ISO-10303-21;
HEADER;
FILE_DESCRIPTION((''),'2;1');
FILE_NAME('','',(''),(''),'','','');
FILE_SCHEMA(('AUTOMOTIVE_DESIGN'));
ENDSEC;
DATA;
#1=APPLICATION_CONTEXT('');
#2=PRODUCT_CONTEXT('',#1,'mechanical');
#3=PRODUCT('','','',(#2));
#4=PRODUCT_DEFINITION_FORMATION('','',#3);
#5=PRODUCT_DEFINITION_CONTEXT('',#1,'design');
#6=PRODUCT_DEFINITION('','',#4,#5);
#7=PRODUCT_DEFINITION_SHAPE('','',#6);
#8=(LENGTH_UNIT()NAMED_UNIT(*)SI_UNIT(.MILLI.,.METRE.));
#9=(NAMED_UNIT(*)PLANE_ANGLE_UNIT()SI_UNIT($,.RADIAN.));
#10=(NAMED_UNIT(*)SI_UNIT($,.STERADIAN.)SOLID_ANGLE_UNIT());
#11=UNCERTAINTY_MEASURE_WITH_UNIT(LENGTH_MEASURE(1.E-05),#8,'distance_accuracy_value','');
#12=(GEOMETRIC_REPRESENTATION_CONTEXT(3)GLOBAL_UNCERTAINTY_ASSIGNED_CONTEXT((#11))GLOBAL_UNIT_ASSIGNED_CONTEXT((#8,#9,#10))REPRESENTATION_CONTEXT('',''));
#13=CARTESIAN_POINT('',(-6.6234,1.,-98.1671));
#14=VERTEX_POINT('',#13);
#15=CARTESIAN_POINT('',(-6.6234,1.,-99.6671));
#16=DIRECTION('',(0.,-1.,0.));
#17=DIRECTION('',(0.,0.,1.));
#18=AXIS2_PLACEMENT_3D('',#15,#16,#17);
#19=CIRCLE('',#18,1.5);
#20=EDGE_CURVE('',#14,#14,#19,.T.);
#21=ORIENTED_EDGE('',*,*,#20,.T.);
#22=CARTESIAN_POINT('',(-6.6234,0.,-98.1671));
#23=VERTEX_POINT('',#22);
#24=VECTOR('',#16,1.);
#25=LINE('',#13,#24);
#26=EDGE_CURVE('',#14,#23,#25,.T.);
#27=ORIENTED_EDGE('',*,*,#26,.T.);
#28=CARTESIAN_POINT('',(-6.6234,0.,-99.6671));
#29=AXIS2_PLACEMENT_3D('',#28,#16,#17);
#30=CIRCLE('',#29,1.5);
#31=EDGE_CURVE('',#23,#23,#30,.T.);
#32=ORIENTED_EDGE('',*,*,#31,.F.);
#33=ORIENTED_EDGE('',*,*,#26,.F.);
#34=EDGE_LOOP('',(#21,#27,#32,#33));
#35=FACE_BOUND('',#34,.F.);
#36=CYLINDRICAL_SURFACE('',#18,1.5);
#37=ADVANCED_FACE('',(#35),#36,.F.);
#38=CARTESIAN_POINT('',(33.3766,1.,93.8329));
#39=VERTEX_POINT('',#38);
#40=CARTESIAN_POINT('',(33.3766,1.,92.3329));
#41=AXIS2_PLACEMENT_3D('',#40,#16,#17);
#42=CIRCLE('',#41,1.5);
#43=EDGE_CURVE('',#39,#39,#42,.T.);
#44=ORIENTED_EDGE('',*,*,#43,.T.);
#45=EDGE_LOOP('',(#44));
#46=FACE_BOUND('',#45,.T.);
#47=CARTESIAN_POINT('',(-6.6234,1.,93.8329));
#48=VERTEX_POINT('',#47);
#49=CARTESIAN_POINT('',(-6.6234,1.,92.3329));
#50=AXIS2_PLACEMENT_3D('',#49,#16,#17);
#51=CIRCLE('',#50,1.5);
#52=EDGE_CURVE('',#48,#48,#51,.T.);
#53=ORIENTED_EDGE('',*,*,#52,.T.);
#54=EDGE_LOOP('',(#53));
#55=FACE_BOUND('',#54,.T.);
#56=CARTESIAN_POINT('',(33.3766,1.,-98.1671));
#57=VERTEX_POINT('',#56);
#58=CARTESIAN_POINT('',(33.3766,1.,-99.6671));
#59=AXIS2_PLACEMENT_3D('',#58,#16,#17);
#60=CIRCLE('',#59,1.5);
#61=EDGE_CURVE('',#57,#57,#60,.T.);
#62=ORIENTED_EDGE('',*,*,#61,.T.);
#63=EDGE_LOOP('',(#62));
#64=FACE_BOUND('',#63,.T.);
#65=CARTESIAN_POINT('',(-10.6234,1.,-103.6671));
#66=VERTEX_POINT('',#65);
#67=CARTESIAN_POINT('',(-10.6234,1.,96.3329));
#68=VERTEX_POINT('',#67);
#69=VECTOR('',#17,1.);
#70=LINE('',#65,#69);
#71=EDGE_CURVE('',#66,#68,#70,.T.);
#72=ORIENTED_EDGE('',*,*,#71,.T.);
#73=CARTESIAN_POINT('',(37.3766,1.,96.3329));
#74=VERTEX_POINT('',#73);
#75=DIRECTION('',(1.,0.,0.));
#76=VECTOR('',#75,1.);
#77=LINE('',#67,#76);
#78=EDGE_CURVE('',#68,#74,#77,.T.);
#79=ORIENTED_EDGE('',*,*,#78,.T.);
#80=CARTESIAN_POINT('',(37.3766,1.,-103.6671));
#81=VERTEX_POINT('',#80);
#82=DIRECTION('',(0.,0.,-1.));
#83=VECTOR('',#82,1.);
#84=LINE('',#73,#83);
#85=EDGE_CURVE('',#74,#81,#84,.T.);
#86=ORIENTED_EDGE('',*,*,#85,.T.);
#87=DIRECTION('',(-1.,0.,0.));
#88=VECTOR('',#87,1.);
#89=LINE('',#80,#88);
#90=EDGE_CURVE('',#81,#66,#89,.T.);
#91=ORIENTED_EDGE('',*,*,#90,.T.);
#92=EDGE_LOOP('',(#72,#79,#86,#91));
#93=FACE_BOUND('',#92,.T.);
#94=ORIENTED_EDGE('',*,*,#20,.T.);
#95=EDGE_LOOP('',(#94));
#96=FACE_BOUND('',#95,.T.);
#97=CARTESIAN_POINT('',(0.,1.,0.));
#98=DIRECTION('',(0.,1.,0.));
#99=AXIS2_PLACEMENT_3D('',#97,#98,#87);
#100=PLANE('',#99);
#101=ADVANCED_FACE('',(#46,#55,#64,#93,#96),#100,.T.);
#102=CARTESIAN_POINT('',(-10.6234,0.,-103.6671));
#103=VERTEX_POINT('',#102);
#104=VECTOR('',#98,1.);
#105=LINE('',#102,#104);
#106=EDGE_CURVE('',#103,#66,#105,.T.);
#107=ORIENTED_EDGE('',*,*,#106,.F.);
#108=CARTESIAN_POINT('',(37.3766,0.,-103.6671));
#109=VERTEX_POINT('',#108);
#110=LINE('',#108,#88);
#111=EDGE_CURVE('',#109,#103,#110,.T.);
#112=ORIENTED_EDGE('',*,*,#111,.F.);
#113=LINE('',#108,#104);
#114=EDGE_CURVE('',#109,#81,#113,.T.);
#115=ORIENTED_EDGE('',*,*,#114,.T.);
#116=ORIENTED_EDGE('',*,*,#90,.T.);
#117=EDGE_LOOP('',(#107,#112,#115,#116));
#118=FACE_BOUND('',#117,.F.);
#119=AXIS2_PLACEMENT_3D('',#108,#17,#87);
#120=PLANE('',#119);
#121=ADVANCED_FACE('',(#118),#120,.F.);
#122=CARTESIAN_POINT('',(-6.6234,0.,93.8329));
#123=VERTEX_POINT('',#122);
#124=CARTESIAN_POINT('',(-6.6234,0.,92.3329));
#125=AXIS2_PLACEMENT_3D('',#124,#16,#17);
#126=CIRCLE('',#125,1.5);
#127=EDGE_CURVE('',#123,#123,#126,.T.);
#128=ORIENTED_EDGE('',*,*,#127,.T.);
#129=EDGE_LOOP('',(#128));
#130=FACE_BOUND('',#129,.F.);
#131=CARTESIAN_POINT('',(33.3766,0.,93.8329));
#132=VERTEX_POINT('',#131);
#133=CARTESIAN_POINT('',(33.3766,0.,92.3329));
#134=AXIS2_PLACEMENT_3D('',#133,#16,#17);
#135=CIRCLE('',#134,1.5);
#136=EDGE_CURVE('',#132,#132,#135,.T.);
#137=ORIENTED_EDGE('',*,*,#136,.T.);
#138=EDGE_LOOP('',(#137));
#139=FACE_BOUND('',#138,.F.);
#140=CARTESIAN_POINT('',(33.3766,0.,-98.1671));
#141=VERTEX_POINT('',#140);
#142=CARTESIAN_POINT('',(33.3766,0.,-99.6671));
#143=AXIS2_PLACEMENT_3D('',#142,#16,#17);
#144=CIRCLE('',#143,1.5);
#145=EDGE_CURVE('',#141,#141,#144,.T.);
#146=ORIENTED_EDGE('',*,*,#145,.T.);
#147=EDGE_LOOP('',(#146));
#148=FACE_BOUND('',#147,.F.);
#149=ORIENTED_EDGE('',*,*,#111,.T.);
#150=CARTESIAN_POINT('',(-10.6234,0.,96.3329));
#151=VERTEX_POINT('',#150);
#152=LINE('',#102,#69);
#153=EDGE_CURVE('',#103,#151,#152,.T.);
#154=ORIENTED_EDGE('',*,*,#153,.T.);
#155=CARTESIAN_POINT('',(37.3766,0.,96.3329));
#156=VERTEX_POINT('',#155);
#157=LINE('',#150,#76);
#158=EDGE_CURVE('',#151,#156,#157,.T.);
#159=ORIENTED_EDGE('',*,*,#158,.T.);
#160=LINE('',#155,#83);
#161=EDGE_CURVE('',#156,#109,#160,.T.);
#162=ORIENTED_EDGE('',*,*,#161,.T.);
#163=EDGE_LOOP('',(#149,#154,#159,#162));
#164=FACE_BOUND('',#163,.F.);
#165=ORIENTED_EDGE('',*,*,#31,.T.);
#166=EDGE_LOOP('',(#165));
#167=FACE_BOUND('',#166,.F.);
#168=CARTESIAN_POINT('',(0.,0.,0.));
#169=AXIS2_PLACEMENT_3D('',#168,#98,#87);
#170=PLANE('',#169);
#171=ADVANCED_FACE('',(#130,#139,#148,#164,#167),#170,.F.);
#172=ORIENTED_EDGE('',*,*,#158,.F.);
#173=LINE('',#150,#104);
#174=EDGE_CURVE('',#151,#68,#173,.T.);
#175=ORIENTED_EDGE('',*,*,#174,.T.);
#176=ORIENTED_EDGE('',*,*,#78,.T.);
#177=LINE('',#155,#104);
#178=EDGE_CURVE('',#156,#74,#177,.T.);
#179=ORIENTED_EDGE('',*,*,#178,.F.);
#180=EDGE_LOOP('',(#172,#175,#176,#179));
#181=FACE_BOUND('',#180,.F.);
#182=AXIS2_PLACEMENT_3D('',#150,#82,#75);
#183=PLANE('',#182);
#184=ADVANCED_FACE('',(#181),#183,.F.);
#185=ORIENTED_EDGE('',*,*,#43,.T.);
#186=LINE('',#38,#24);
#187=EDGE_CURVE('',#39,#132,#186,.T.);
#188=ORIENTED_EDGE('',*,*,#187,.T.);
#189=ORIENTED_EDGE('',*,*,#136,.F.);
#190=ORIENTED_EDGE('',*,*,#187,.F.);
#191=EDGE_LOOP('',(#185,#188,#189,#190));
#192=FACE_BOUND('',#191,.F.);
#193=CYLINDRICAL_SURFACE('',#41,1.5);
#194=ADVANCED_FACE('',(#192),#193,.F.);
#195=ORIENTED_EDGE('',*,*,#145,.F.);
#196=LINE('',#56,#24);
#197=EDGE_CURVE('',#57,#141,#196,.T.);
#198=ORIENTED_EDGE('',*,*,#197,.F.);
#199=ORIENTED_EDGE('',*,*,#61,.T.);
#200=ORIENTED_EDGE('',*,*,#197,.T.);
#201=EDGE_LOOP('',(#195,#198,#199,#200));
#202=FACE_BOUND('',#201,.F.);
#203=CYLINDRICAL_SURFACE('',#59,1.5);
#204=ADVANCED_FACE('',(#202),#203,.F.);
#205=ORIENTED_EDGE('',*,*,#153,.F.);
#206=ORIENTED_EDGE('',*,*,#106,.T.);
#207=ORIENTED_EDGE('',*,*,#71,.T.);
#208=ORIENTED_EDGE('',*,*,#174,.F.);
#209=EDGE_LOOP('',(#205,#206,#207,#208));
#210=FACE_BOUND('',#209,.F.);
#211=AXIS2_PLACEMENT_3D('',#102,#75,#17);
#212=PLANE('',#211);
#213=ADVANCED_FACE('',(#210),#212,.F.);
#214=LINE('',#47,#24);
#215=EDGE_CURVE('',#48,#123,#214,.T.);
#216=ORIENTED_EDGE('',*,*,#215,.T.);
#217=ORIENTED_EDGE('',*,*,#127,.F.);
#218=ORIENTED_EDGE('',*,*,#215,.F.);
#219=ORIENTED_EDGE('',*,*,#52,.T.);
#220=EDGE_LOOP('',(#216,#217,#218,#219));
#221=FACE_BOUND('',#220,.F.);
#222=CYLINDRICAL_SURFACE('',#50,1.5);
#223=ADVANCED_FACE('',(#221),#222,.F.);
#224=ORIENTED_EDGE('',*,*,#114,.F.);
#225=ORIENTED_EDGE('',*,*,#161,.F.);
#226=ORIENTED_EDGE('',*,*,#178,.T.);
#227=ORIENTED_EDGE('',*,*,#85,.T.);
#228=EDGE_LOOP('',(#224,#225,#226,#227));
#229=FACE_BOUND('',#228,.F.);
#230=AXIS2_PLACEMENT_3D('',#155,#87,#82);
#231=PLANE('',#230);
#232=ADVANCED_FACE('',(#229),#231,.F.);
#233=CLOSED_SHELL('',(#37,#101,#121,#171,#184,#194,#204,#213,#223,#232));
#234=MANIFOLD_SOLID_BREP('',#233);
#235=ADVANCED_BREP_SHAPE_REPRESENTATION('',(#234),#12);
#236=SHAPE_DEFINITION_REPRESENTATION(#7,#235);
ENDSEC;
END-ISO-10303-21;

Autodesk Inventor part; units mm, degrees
ref_plane "YZ Plane" through (0, 0, 0) normal (1, 0, 0) x (0, 1, 0)
ref_plane "XZ Plane" through (0, 0, 0) normal (0, 1, 0) x (-1, 0, 0)
ref_plane "XY Plane" through (0, 0, 0) normal (0, 0, 1) x (1, 0, 0)
sketch "Sketch1" plane through (0, 0, 0) normal (0, 1, 0) x (-1, 0, 0)
  line L0 (10.6234, 96.3329) -> (-37.3766, 96.3329)
  line L1 (-37.3766, 96.3329) -> (-37.3766, -103.6671)
  line L2 (-37.3766, -103.6671) -> (10.6234, -103.6671)
  line L3 (10.6234, -103.6671) -> (10.6234, 96.3329)
  point P0 (0, 0)
  dimension "d0" = 200
  dimension "d1" = 48
extrude "Extrusion1" add sketch "Sketch1" along normal blind 1
sketch "Sketch2" plane through (0, 1, 0) normal (0, 1, 0) x (1, 0, 0)
  line L0 (-10.6234, 103.6671) -> (-10.6234, -96.3329) projected
  line L1 (37.3766, -96.3329) -> (37.3766, 103.6671) projected
  line L2 (-10.6234, -96.3329) -> (37.3766, -96.3329) projected
  line L3 (37.3766, 103.6671) -> (-10.6234, 103.6671) projected
  point P0 (0, 0)
  point P1 (-6.6234, -92.3329)
  point P2 (33.3766, -92.3329)
  point P3 (33.3766, 99.6671)
  point P4 (-6.6234, 99.6671)
  dimension "d4" = 0
  dimension "d5" = 0
  dimension "d6" = 0
  dimension "d7" = 0
  dimension "d8" = 4
  dimension "d9" = 4
  dimension "d10" = 4
  dimension "d11" = 4
hole "Hole1" at (-6.6234, 1, 92.3329) at (33.3766, 1, 92.3329) at (33.3766, 1, -99.6671) at (-6.6234, 1, -99.6671) direction (0, -1, 0) diameter 3 depth 25.4 tip angle 118.188
equation "\"d1\" = BoardWidth"
equation "\"d2\" = BoardHeight"
equation "\"d8\" = ScrewHoleOffset"
equation "\"d9\" = ScrewHoleOffset"
equation "\"d10\" = ScrewHoleOffset"
equation "\"d11\" = ScrewHoleOffset"
equation "\"d12\" = ScrewSize"
equation "\"BoardLength\" = 556"
equation "\"BoardWidth\" = 48"
equation "\"ScrewSize\" = 3"
equation "\"ScrewHoleOffset\" = 4"
equation "\"BoardGap\" = 4"
equation "\"BoardHeight\" = 1"
equation "\"HorizOffsetBetweenScrews\" = 192"
equation "\"BaseWidth\" = 556"
equation "\"BaseLength\" = 648"
equation "\"TwoBoardWidth\" = 444"
equation "\"NumberOfRows\" = 254"
equation "\"NumberOfGaps\" = 228.6"
properties part number "PRT1001-210 1U Board"
